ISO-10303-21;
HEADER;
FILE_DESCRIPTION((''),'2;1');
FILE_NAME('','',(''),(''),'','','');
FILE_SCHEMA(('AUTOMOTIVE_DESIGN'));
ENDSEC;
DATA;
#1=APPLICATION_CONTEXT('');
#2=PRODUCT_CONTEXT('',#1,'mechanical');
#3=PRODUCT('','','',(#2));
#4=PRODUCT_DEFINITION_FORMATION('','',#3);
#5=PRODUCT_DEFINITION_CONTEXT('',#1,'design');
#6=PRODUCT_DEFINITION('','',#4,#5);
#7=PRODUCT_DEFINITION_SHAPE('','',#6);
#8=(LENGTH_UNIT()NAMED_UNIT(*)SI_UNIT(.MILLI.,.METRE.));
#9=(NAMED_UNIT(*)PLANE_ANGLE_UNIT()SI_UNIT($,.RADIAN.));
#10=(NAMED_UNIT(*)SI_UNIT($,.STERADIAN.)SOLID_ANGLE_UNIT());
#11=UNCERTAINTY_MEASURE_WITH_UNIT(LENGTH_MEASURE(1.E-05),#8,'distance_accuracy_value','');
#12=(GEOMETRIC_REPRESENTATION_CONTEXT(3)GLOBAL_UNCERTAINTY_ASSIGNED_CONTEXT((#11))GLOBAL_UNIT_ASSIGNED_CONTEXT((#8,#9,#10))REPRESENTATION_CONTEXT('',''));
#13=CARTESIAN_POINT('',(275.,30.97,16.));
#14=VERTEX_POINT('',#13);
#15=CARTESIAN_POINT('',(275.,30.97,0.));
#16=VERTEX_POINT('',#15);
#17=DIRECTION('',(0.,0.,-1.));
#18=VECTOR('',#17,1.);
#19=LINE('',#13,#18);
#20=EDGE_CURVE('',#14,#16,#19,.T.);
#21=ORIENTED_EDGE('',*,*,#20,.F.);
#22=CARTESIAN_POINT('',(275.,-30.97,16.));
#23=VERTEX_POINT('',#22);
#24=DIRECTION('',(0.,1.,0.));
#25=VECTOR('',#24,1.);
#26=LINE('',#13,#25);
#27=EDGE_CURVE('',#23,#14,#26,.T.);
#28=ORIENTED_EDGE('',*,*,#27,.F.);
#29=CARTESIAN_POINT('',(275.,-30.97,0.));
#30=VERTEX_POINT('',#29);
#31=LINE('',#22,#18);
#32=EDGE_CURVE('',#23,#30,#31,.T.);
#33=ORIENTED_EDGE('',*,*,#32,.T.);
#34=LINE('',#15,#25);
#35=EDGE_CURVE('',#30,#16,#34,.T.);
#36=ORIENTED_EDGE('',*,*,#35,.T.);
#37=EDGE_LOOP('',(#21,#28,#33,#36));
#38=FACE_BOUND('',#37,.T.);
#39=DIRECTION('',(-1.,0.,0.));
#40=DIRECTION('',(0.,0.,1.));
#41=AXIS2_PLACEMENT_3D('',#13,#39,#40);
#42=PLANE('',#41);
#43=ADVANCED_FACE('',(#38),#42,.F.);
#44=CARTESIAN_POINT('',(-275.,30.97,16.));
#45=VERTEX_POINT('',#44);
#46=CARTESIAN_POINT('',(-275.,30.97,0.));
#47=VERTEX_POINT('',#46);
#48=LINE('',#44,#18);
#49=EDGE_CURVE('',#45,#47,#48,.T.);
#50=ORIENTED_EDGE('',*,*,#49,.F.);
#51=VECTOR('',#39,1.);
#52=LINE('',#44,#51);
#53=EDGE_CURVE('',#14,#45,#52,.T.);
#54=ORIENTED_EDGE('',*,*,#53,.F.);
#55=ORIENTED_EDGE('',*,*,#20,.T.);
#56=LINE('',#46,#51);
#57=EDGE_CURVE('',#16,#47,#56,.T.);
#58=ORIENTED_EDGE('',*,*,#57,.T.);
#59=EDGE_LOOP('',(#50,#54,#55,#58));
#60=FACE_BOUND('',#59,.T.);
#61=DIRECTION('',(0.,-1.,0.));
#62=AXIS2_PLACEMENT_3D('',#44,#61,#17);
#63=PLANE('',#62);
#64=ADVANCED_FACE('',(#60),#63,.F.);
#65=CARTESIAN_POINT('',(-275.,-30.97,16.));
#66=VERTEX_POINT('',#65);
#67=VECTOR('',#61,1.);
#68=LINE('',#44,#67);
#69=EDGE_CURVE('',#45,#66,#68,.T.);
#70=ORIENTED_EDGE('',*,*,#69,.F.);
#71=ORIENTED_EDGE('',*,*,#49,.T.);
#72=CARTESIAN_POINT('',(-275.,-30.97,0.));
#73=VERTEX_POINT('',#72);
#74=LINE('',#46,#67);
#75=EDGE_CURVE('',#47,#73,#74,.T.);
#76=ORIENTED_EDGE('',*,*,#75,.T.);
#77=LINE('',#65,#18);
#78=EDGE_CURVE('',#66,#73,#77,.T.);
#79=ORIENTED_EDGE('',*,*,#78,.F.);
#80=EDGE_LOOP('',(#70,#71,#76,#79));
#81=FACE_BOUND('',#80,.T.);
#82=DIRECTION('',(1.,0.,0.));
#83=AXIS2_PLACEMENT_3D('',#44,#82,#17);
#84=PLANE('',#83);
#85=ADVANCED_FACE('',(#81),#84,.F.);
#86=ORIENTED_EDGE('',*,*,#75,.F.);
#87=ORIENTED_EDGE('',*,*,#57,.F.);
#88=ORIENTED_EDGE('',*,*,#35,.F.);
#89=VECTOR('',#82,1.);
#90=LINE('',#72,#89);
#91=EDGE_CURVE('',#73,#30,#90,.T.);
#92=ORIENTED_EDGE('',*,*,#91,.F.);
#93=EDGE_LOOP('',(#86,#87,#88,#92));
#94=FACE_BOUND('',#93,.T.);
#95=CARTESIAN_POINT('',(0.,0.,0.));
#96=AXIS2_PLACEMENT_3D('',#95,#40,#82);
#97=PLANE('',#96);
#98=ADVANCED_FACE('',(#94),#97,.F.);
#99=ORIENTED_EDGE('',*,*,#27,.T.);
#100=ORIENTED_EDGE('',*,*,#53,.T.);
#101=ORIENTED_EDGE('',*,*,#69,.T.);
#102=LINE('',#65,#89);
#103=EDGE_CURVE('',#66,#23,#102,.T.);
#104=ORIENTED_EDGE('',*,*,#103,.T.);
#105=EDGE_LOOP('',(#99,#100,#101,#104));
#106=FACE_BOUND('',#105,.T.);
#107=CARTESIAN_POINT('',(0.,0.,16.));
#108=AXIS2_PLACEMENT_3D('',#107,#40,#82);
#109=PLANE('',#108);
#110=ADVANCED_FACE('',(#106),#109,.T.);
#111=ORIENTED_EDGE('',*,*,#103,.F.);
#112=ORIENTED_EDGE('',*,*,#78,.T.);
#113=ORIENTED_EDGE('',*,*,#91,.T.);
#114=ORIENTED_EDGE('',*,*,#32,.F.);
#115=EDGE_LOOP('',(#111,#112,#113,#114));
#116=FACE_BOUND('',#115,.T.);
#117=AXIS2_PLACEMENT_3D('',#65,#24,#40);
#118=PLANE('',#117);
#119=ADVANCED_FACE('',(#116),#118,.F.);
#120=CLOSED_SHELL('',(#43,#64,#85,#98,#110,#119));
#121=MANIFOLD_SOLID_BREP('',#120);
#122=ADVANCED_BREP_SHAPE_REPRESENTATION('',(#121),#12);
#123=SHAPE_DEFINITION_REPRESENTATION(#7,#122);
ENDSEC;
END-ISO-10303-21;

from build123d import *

# Parameters (mm, degrees)
SKETCH1_W           = 550
SKETCH1_H           = 61.94
BOSS_EXTRUDE1_DEPTH = 16


with BuildPart() as part:
    # Sketch1 → Boss-Extrude1 (new body)
    with BuildSketch(Plane.XY):
        Rectangle(SKETCH1_W, SKETCH1_H)
    extrude(amount=BOSS_EXTRUDE1_DEPTH)


solid = part.part
